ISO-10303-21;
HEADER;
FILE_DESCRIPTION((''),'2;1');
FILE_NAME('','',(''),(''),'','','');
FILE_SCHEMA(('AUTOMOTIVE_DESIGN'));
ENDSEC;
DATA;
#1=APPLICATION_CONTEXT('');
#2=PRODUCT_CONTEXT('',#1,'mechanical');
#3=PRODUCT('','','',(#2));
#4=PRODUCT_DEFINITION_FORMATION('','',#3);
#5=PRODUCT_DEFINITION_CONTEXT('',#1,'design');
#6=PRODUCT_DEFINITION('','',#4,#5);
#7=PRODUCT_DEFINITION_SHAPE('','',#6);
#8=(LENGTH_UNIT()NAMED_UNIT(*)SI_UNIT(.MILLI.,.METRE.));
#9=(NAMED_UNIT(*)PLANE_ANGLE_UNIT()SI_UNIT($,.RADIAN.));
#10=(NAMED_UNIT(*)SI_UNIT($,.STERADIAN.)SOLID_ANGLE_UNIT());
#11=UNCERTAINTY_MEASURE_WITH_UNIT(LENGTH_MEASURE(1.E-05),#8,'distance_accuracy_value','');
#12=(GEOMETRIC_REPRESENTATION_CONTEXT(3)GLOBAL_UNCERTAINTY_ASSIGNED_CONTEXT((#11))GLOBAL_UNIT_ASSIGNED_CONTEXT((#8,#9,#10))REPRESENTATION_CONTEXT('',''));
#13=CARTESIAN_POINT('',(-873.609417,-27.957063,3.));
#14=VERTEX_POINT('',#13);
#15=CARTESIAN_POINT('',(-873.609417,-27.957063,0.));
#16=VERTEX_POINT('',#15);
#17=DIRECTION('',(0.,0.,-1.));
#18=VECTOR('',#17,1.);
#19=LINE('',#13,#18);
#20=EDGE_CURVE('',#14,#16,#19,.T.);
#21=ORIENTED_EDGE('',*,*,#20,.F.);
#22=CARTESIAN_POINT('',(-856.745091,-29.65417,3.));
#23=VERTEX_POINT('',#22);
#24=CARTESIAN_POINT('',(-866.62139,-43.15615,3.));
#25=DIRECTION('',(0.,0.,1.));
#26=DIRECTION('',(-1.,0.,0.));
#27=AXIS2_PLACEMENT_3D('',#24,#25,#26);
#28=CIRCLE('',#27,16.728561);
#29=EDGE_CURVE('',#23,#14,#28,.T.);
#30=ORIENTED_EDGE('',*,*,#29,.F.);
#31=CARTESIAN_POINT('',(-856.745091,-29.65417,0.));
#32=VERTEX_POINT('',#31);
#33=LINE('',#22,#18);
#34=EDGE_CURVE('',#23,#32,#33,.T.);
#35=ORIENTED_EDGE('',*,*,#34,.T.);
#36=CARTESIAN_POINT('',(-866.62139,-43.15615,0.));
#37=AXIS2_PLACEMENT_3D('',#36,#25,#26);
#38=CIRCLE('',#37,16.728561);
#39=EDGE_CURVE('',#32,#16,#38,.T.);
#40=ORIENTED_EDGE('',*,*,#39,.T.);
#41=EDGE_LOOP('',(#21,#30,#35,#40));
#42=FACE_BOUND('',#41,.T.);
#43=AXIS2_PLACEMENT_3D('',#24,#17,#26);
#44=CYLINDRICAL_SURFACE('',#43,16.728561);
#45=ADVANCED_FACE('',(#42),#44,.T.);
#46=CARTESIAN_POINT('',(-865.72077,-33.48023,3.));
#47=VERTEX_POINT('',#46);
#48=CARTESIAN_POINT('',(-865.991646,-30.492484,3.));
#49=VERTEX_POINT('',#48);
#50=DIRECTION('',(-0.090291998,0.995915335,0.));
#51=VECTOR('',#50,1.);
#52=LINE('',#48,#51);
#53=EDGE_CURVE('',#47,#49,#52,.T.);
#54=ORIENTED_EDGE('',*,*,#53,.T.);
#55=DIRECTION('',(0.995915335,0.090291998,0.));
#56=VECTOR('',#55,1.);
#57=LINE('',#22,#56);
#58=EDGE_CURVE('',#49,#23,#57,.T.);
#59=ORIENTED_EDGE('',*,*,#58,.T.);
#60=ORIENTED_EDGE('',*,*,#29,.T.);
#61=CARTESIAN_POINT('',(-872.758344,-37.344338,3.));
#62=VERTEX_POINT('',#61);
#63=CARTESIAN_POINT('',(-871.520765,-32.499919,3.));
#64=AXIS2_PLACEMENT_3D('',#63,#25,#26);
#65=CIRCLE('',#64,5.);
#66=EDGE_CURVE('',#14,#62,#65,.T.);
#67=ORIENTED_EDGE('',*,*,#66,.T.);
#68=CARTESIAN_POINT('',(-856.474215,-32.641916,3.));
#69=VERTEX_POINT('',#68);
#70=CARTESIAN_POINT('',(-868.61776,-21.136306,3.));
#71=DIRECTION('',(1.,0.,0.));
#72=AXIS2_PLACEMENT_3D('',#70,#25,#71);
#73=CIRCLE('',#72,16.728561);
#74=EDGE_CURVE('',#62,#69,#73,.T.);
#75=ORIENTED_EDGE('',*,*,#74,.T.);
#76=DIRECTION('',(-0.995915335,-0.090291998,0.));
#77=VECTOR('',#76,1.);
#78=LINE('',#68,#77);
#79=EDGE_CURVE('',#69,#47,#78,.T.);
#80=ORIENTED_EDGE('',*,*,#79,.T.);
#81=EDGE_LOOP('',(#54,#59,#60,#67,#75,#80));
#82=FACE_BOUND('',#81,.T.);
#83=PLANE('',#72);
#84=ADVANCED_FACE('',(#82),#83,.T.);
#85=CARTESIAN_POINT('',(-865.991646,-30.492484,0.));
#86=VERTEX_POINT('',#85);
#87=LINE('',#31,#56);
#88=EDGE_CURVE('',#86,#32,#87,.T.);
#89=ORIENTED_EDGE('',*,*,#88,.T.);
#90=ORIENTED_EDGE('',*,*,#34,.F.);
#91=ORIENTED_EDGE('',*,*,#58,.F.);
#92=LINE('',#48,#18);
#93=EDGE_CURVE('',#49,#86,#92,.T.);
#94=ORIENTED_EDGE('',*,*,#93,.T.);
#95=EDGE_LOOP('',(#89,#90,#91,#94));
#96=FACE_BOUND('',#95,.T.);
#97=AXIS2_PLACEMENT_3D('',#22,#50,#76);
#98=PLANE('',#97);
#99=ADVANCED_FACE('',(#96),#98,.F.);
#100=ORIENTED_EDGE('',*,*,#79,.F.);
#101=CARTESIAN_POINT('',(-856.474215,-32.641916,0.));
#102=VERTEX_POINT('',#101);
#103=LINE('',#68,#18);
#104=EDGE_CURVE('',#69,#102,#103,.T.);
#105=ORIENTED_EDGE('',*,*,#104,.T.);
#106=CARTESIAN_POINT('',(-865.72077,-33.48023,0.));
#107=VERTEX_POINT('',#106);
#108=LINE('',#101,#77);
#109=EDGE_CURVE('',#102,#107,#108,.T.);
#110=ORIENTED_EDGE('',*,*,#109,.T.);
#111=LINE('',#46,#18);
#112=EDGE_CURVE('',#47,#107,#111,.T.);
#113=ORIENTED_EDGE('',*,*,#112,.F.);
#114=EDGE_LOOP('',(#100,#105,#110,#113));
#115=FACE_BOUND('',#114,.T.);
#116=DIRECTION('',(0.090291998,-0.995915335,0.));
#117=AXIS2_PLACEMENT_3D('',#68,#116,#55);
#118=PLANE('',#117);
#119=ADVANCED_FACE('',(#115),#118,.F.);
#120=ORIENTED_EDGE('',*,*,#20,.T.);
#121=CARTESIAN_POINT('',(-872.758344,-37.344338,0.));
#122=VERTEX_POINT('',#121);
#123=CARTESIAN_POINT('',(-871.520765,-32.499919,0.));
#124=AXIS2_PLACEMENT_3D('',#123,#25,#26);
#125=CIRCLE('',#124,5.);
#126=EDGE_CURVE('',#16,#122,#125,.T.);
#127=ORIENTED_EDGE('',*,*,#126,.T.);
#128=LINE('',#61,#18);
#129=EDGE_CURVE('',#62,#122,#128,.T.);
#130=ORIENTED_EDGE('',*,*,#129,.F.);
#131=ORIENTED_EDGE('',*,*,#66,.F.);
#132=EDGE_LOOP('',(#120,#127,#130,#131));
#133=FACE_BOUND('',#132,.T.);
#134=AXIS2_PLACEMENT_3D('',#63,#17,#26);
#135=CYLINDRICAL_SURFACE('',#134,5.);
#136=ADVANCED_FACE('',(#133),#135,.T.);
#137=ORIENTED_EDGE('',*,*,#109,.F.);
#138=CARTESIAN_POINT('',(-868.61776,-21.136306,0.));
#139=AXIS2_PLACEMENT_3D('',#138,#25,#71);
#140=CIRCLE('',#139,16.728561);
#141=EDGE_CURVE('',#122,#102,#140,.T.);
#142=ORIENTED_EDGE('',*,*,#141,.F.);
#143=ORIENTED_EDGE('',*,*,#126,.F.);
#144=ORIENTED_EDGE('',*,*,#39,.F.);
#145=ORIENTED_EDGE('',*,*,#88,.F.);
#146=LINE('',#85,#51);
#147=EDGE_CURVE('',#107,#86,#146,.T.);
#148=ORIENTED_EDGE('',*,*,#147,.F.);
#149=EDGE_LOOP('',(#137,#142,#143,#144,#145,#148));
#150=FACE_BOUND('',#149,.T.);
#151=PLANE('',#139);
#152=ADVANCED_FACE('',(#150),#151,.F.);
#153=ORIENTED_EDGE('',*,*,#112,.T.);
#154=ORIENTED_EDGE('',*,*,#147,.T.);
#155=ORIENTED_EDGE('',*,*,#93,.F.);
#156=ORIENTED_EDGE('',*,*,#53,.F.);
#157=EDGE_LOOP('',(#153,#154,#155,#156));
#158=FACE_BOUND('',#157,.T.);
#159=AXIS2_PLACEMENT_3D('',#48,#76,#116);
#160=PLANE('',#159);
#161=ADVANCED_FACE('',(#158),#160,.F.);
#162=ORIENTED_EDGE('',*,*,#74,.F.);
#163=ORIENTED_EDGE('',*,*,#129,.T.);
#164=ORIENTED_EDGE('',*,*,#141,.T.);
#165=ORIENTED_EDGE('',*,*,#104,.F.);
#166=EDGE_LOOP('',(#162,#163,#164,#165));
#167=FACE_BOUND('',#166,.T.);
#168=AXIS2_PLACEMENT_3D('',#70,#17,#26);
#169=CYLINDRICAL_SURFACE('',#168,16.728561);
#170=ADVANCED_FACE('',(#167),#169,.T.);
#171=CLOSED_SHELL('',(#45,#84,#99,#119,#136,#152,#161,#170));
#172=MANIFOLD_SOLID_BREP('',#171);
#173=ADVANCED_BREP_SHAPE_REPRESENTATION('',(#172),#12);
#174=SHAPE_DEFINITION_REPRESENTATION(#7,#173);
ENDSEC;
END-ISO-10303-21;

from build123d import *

# Parameters (mm, degrees)
BASE_EXTRUDE_DEPTH = 3


with BuildPart() as part:
    # Sketch1 → Base-Extrude (new body)
    with BuildSketch(Plane.XY):
        with BuildLine():
            Line((-856.474214644, -32.641915538), (-865.720770196, -33.480229749))
            Line((-865.720770196, -33.480229749), (-865.991646191, -30.492483743))
            Line((-865.991646191, -30.492483743), (-856.745090639, -29.654169532))
            ThreePointArc((-856.745090639, -29.654169532), (-864.946405641, -26.511655783), (-873.609416526, -27.957063286))
            ThreePointArc((-873.609416526, -27.957063286), (-876.500341632, -32.951378616), (-872.758344407, -37.344337795))
            ThreePointArc((-872.758344407, -37.344337795), (-863.976635131, -37.208166435), (-856.474214644, -32.641915538))
        make_face()
    extrude(amount=BASE_EXTRUDE_DEPTH)


solid = part.part
